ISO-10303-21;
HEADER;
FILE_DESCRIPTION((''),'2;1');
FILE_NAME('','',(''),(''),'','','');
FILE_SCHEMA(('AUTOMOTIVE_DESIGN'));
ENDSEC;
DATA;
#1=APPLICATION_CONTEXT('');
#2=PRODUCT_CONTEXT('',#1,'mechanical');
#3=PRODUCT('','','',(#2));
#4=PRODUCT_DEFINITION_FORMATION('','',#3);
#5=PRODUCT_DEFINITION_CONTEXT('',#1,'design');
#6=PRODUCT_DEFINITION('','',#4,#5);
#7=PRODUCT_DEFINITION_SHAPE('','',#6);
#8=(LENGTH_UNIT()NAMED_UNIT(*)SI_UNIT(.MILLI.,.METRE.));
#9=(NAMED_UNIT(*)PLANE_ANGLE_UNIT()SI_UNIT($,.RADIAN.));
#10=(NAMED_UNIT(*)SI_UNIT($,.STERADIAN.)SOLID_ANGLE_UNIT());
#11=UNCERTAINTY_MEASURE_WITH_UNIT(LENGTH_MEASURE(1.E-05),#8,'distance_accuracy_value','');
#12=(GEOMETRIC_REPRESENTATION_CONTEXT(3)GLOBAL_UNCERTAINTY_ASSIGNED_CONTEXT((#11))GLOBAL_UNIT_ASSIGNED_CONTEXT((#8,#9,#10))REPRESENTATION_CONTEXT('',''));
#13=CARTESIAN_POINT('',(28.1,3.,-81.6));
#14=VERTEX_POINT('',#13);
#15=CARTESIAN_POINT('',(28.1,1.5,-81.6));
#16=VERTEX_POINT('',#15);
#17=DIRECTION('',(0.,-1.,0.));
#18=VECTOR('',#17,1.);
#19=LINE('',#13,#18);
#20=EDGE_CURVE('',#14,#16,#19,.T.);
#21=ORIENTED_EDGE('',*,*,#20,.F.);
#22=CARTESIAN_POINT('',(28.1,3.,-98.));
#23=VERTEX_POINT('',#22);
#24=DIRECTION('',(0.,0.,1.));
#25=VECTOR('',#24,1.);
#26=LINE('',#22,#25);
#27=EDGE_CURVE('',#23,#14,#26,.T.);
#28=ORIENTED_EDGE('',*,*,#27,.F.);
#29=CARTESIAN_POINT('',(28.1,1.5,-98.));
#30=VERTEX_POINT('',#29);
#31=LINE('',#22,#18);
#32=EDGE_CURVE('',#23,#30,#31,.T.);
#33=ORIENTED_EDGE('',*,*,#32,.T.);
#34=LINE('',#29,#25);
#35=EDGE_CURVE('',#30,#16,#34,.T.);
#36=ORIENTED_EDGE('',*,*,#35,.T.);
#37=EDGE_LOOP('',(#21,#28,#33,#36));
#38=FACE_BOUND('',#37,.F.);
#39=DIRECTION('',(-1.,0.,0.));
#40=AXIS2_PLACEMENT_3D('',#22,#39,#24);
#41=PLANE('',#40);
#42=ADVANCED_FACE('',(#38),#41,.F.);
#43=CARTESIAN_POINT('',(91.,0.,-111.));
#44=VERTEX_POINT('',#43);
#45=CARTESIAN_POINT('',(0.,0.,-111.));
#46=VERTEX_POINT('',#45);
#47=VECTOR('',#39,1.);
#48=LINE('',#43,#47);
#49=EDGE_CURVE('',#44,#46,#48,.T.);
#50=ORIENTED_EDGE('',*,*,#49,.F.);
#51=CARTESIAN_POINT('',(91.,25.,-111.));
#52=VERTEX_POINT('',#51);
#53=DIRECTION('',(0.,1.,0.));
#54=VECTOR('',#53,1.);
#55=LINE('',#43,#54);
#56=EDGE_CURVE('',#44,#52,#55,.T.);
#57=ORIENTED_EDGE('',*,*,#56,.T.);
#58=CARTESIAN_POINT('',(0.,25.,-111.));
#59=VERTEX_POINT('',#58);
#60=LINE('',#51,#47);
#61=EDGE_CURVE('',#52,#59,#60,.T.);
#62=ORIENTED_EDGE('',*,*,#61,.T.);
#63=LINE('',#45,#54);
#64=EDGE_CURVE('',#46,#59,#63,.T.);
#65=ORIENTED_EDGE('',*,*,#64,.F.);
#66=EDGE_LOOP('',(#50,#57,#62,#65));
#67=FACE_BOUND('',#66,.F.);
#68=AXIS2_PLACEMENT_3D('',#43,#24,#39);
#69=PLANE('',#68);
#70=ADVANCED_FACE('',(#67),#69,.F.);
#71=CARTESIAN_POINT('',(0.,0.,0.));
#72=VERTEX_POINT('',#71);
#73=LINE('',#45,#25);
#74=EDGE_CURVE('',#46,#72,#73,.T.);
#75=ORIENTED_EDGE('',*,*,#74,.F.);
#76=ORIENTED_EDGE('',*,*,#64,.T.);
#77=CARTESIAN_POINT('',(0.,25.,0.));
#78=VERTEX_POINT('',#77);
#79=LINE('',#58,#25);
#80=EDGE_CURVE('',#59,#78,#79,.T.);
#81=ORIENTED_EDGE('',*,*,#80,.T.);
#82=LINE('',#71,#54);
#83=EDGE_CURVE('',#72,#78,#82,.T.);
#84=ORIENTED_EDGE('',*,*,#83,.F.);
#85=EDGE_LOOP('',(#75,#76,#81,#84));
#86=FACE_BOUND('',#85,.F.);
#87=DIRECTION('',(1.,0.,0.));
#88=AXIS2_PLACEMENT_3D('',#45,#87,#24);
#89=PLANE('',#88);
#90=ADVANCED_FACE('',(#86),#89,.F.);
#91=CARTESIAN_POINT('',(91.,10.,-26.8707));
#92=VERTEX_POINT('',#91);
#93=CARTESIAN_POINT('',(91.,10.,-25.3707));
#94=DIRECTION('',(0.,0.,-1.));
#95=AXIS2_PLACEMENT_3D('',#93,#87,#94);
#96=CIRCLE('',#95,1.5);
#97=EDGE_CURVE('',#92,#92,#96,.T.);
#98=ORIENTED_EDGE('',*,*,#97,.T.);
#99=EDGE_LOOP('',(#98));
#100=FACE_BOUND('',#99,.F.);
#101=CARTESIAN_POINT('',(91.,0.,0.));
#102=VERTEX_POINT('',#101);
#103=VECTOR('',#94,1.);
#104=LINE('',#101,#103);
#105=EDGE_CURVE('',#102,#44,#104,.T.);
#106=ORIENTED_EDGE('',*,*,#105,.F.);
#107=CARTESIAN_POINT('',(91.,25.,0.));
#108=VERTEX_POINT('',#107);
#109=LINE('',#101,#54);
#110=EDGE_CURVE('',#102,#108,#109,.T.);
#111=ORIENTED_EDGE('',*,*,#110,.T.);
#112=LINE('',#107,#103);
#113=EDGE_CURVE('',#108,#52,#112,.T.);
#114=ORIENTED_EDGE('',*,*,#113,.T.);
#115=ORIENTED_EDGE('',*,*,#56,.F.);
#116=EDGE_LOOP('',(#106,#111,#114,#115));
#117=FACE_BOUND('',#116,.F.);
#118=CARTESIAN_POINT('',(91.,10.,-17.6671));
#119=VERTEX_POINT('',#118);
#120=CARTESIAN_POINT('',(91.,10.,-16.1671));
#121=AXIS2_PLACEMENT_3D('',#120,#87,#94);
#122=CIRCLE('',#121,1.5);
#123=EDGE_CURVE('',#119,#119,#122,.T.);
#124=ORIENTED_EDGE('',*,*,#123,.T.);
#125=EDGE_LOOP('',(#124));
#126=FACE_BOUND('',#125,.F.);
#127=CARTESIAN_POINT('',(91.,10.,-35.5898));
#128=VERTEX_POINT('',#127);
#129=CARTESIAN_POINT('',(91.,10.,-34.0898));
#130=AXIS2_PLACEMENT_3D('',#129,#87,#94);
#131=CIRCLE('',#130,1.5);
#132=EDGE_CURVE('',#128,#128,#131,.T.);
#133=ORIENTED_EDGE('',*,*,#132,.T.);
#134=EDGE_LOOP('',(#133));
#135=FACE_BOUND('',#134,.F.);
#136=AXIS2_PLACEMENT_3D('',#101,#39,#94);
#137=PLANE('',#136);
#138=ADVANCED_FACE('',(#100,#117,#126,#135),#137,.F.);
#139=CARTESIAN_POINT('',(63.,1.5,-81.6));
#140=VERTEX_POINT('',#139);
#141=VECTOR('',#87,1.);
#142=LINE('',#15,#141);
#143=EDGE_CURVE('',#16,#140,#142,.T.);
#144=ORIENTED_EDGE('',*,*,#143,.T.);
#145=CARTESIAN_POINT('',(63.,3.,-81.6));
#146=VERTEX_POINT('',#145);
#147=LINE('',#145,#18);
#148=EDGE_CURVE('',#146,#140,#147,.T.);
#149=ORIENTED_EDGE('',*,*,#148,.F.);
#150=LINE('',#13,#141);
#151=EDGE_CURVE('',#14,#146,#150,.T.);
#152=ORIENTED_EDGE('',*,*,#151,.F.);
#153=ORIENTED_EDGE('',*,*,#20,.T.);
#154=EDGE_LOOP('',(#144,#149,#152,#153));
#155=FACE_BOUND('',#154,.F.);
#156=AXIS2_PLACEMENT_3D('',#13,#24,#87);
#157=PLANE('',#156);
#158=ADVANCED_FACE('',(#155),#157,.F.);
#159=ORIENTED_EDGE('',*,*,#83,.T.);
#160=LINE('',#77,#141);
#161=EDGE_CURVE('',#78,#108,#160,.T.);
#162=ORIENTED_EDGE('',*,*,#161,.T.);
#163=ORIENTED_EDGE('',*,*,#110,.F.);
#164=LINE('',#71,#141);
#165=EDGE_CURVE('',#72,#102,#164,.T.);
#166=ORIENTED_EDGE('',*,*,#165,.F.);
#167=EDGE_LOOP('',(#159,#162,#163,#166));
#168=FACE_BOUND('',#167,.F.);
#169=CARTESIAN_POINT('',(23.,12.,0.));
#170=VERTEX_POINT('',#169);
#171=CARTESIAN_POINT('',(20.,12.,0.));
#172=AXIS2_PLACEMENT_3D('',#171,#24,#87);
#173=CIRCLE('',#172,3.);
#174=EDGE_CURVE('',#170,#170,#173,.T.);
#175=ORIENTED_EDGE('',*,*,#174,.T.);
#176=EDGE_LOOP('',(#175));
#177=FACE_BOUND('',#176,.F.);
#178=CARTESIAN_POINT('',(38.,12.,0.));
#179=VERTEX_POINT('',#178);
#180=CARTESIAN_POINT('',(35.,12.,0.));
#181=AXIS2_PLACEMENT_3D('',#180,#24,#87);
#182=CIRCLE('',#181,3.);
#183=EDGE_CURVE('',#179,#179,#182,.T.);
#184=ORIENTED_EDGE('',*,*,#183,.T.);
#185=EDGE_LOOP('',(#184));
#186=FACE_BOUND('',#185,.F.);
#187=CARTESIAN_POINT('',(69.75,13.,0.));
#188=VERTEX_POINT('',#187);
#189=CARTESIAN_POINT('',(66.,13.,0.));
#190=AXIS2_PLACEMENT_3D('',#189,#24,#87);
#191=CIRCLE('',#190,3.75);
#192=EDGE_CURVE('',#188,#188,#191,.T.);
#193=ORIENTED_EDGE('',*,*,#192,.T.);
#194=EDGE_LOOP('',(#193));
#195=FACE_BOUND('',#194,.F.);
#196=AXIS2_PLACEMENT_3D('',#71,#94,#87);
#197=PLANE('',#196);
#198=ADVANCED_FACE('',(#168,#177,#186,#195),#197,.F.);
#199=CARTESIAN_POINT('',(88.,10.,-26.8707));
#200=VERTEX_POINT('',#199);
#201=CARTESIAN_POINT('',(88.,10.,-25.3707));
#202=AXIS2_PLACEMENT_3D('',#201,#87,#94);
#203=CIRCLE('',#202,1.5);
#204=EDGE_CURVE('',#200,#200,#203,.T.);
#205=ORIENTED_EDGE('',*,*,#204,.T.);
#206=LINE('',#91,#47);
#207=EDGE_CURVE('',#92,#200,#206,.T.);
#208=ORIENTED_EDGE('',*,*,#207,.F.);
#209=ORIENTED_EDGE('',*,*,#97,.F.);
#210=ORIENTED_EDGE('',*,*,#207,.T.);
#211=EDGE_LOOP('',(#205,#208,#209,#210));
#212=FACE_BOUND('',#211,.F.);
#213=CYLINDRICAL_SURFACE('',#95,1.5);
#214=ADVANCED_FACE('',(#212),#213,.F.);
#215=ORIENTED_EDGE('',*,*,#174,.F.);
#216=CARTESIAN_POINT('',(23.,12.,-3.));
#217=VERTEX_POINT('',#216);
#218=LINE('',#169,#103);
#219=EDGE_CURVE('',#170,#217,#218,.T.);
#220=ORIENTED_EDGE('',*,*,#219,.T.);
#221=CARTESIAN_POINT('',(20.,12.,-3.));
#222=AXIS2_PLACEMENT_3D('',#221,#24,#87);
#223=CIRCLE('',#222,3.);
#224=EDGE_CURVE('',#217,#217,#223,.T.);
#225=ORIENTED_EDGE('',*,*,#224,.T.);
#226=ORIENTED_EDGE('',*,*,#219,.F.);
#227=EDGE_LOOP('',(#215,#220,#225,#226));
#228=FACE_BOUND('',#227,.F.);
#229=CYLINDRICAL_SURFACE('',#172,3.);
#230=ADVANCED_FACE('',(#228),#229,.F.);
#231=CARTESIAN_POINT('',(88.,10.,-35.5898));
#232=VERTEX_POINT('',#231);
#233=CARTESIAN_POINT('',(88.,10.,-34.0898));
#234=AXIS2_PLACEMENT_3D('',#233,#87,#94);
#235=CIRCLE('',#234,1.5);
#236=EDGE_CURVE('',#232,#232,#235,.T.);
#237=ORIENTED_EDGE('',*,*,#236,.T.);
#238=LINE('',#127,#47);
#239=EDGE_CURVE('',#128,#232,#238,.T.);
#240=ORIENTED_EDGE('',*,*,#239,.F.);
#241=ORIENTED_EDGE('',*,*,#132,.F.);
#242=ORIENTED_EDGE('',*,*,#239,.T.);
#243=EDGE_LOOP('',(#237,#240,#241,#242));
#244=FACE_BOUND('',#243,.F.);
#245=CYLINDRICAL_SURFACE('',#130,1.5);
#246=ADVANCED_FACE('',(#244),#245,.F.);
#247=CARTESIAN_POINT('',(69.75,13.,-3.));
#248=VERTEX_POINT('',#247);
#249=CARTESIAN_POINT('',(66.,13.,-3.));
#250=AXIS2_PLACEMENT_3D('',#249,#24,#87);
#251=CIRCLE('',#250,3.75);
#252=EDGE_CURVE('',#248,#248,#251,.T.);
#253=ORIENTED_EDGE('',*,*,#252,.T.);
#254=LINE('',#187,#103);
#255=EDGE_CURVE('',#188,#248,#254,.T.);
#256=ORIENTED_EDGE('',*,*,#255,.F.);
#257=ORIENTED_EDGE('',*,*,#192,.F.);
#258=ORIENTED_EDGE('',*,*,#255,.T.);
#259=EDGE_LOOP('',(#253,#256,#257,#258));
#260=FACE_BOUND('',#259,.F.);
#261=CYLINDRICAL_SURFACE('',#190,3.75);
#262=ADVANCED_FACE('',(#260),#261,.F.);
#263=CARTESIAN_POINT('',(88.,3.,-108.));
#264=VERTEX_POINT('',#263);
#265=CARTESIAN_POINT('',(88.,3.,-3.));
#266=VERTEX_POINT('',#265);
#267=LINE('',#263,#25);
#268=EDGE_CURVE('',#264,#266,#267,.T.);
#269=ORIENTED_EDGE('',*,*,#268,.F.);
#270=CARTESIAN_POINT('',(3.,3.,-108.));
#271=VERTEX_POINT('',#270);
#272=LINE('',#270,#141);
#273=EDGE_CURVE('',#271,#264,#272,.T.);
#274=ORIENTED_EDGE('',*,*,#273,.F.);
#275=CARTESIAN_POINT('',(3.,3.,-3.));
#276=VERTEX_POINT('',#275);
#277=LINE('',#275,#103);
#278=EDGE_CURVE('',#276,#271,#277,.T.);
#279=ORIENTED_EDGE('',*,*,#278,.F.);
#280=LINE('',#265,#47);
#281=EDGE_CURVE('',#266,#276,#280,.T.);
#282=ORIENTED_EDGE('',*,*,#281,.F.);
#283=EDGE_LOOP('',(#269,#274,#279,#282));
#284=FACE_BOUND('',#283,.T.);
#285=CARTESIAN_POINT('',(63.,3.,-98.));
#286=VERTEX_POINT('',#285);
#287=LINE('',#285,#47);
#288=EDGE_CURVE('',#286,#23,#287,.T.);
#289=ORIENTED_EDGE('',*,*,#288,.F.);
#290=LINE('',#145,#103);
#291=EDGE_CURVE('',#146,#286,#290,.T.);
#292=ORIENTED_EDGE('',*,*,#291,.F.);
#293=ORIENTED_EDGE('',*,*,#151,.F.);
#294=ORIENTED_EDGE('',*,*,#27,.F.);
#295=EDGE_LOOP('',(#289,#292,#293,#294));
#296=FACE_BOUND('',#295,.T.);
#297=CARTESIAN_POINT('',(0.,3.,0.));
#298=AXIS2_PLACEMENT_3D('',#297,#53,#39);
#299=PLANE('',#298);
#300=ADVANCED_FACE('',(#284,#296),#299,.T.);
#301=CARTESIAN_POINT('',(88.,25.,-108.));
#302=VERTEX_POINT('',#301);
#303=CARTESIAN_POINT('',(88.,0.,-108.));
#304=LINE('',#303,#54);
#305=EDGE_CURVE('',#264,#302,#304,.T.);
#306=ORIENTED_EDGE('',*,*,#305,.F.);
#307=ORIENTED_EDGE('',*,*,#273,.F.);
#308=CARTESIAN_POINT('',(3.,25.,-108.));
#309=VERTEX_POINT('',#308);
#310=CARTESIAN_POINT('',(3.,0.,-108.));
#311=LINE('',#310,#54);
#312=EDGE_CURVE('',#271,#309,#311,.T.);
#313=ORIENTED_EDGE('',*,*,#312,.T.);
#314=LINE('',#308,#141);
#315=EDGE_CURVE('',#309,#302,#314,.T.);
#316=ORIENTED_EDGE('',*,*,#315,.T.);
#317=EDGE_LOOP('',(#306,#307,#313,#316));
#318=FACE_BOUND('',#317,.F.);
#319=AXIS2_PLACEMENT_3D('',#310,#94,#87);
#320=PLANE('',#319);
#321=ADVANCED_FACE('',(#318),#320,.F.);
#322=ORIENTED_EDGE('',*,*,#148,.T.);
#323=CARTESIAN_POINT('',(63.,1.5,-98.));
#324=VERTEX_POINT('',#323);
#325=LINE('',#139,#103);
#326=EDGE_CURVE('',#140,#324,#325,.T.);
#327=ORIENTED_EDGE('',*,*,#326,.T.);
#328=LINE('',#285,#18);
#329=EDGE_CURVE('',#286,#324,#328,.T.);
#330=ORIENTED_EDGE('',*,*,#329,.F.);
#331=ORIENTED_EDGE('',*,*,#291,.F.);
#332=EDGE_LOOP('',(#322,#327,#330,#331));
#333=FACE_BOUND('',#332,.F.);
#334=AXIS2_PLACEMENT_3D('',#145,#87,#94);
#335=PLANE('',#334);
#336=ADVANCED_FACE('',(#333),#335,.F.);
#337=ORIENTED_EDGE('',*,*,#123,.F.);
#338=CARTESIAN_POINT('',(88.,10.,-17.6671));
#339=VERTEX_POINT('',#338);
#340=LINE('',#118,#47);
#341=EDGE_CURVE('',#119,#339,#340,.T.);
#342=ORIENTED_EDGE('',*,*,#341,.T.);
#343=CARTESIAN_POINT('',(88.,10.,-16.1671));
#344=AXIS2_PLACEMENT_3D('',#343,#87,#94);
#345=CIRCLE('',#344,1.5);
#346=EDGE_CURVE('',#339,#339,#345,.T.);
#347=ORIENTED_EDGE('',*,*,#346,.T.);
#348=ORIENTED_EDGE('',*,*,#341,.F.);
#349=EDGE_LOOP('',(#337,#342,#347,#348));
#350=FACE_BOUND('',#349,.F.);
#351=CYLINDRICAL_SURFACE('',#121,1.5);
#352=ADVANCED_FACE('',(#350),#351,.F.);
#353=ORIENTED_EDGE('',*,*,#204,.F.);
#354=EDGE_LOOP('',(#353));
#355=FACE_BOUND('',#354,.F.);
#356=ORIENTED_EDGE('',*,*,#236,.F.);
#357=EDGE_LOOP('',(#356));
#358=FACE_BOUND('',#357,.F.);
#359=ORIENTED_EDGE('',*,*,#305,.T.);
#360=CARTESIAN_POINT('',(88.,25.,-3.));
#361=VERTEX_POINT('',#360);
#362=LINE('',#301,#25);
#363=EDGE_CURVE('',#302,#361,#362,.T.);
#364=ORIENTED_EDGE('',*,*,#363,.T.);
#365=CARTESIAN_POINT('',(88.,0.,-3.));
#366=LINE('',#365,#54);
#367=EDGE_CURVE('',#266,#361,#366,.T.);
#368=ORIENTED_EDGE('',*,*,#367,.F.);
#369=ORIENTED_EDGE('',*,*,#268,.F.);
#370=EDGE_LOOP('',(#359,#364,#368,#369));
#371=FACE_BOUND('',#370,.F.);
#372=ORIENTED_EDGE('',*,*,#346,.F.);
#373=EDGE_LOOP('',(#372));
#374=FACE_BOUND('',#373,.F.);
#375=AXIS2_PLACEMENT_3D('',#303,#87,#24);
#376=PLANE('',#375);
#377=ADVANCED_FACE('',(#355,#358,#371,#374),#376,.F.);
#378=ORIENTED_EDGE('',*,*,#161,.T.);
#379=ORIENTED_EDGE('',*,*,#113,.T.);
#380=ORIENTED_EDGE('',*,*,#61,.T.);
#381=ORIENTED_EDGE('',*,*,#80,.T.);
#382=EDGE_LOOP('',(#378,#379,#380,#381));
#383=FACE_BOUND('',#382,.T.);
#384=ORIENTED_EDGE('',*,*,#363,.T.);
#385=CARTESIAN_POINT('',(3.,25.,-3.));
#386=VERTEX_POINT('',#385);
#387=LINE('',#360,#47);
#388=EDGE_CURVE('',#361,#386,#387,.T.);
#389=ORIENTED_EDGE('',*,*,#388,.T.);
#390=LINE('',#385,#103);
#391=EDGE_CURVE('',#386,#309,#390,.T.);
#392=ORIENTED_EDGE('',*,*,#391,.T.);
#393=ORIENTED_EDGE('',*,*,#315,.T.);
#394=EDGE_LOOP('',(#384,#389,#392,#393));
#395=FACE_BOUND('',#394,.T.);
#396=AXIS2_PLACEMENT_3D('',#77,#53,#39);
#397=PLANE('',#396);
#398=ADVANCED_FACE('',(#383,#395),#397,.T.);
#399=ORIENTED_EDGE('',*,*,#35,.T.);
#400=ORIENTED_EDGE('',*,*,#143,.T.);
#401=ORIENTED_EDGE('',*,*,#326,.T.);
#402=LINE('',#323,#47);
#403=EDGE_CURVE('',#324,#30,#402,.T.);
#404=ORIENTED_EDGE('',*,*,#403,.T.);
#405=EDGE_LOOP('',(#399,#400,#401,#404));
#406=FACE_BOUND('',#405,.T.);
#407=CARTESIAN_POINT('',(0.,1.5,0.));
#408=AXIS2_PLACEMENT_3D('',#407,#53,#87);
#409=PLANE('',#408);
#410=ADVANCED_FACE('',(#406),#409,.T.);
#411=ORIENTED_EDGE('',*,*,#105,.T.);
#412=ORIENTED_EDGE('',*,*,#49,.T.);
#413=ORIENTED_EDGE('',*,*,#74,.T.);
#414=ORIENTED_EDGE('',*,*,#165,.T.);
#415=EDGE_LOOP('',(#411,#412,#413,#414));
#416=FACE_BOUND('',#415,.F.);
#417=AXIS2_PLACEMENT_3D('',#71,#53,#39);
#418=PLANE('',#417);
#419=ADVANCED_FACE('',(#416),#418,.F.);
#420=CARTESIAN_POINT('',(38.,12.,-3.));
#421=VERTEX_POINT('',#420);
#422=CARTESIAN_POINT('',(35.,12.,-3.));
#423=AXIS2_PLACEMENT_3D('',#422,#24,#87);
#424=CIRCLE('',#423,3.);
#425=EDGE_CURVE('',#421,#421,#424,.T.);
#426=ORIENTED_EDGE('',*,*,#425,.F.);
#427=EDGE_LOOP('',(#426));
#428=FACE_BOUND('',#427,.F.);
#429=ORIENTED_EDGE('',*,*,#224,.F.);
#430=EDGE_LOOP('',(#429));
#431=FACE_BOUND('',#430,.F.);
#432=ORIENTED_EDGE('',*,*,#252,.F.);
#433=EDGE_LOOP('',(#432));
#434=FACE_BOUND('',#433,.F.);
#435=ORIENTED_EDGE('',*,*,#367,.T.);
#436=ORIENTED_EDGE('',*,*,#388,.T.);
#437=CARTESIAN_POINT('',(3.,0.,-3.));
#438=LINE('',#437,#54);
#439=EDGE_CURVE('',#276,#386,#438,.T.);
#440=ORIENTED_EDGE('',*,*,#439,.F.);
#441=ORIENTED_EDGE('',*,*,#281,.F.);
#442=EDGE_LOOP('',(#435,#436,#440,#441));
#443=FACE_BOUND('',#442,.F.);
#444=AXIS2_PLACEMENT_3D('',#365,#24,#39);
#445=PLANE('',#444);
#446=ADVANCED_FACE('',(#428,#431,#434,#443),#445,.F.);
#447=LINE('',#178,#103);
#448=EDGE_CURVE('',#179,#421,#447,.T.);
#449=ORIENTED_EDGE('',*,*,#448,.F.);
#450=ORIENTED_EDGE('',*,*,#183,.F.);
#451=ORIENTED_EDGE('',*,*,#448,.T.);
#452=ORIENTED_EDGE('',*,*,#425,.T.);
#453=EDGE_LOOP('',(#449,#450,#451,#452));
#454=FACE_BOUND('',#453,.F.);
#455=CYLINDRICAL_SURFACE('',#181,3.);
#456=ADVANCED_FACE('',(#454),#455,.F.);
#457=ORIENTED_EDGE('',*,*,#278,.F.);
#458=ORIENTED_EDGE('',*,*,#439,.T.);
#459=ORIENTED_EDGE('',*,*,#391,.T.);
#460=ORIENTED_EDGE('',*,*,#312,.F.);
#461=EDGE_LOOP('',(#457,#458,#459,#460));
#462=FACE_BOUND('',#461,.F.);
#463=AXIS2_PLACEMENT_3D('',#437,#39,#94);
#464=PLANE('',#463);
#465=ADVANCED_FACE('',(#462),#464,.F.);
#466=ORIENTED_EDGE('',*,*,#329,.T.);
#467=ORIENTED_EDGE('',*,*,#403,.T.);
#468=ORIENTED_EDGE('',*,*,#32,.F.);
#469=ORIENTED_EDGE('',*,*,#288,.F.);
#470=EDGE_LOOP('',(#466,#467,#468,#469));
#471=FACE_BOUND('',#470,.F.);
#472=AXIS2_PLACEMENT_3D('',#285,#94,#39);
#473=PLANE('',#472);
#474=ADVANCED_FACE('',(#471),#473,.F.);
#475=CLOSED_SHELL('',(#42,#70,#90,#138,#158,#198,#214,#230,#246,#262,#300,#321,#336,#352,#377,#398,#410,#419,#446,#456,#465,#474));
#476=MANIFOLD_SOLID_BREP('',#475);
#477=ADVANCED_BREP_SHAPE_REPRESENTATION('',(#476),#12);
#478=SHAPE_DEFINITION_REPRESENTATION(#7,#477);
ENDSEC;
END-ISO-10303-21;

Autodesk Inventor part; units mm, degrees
ref_plane "YZ Plane" through (0, 0, 0) normal (1, 0, 0) x (0, 1, 0)
ref_plane "XZ Plane" through (0, 0, 0) normal (0, 1, 0) x (-1, 0, 0)
ref_plane "XY Plane" through (0, 0, 0) normal (0, 0, 1) x (1, 0, 0)
sketch "Esboço1" plane through (0, 0, 0) normal (0, 1, 0) x (-1, 0, 0)
  line L0 (0, 0) -> (-91, 0)
  line L1 (-91, 0) -> (-91, -111)
  line L2 (-91, -111) -> (0, -111)
  line L3 (0, -111) -> (0, 0)
  line L4 (-3, -108) -> (-88, -108)
  line L5 (-88, -108) -> (-88, -3)
  line L6 (-88, -3) -> (-3, -3)
  line L7 (-3, -3) -> (-3, -108)
  dimension "d0" = 3
  dimension "d1" = 3
  dimension "d2" = 3
  dimension "d3" = 3
  dimension "d4" = 85
  dimension "d5" = 105
extrude "Extrusão1" add sketch "Esboço1" along normal blind 3 contours L4 L5 L6 L7
extrude "Extrusão2" add sketch "Esboço1" along normal blind 25
sketch "Esboço2" plane through (0, 0, 0) normal (0, 0, 1) x (1, 0, 0)
  circle A0 centre (20, 12) radius 3
  circle A1 centre (66, 13) radius 3.75
  line L0 (0, 0) -> (0, 25) projected
  line L1 (91, 0) -> (91, 25) projected
  circle A2 centre (35, 12) radius 3
  line L2 (0, 0) -> (91, 0) projected
  point P0 (0, 12.5)
  dimension "d10" = 6
  dimension "d11" = 7.5
  dimension "d25" = 20
  dimension "d26" = 25
  dimension "d27" = 6
  dimension "d28" = 15
  dimension "d29" = 12
  dimension "d30" = 13
  dimension "d31" = 12
extrude "Extrusão3" cut sketch "Esboço2" against normal blind 30
sketch "Esboço3" plane through (91, 0, 0) normal (1, 0, 0) x (0, 0, -1)
  circle A0 centre (16.1671, 10) radius 1.5
  circle A1 centre (34.0898, 10) radius 1.5
  circle A2 centre (25.3707, 10) radius 1.5
  line L0 (0, 0) -> (111, 0) projected
  dimension "d14" = 3
  dimension "d15" = 3
  dimension "d16" = 3
  dimension "d32" = 10
  dimension "d33" = 10
  dimension "d34" = 10
extrude "Extrusão4" cut sketch "Esboço3" against normal blind 10
sketch "Esboço4" plane through (0, 3, 0) normal (0, 1, 0) x (1, 0, 0)
  line L0 (28.1, 81.6) -> (63, 81.6)
  line L1 (63, 81.6) -> (63, 98)
  line L2 (63, 98) -> (28.1, 98)
  line L3 (28.1, 98) -> (28.1, 81.6)
  line L4 (88, 108) -> (88, 3) projected
  line L5 (3, 108) -> (88, 108) projected
  point P0 (0, 0)
  point P1 (63, 89.8)
  dimension "d19" = 34.9
  dimension "d20" = 16.4
  dimension "d23" = 25
  dimension "d24" = 10
extrude "Extrusão5" cut sketch "Esboço4" against normal blind 1.5
properties part number "Caixa_3DPrint"
